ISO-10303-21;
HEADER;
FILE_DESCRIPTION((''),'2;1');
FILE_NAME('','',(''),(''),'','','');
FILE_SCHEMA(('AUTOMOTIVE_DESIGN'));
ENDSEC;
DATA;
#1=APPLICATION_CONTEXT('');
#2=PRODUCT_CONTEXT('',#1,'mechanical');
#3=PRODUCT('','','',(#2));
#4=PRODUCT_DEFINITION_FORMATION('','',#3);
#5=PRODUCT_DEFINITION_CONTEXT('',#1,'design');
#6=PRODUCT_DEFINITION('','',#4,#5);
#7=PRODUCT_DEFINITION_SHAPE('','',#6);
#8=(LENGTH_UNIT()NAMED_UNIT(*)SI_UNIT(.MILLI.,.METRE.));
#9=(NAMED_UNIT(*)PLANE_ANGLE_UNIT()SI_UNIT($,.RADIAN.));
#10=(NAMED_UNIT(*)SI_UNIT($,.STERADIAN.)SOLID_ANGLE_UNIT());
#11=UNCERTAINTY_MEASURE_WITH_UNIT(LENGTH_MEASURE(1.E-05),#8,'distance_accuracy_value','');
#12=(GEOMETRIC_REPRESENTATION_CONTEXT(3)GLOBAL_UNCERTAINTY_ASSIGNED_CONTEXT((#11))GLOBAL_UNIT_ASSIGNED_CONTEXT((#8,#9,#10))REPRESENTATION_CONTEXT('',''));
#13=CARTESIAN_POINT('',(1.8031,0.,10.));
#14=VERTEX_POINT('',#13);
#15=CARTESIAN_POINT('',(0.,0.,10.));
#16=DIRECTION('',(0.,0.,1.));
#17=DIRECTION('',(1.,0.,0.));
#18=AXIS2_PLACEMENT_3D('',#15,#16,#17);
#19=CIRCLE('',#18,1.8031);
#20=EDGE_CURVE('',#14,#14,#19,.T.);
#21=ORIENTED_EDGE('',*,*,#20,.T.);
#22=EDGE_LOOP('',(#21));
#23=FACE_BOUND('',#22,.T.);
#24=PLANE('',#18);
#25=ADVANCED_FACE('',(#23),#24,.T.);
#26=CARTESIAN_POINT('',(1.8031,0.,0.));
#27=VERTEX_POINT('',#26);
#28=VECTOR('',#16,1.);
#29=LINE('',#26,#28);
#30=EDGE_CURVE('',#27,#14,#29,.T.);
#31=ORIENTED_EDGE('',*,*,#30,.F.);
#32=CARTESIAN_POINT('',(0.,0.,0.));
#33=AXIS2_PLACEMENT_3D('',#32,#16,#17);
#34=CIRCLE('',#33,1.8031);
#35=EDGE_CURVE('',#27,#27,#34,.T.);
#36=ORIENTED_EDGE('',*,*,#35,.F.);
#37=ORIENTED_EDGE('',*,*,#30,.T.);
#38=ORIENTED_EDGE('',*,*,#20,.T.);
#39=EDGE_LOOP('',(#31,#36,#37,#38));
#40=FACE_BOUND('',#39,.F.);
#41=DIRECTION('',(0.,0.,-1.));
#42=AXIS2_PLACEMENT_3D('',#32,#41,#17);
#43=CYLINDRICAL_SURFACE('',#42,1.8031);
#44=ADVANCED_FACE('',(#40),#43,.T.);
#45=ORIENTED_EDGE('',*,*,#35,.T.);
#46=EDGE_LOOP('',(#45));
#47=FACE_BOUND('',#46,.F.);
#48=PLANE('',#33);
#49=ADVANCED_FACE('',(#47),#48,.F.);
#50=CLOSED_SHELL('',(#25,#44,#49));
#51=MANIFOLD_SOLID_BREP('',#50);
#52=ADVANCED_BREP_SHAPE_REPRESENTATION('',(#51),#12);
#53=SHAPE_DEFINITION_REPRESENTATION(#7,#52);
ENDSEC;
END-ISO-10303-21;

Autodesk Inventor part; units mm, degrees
ref_plane "YZ Plane" through (0, 0, 0) normal (1, 0, 0) x (0, 1, 0)
ref_plane "XZ Plane" through (0, 0, 0) normal (0, 1, 0) x (-1, 0, 0)
ref_plane "XY Plane" through (0, 0, 0) normal (0, 0, 1) x (1, 0, 0)
sketch "Esquisse1" plane through (0, 0, 0) normal (0, 0, 1) x (1, 0, 0)
  circle A0 centre (0, 0) radius 1.8031
extrude "Extrusion1" add sketch "Esquisse1" along normal blind 10
sketch "Esquisse2" plane through (0, 0, 10) normal (0, 0, 1) x (1, 0, 0)
  point P0 (0, 0)
properties part number "Engrenages"
